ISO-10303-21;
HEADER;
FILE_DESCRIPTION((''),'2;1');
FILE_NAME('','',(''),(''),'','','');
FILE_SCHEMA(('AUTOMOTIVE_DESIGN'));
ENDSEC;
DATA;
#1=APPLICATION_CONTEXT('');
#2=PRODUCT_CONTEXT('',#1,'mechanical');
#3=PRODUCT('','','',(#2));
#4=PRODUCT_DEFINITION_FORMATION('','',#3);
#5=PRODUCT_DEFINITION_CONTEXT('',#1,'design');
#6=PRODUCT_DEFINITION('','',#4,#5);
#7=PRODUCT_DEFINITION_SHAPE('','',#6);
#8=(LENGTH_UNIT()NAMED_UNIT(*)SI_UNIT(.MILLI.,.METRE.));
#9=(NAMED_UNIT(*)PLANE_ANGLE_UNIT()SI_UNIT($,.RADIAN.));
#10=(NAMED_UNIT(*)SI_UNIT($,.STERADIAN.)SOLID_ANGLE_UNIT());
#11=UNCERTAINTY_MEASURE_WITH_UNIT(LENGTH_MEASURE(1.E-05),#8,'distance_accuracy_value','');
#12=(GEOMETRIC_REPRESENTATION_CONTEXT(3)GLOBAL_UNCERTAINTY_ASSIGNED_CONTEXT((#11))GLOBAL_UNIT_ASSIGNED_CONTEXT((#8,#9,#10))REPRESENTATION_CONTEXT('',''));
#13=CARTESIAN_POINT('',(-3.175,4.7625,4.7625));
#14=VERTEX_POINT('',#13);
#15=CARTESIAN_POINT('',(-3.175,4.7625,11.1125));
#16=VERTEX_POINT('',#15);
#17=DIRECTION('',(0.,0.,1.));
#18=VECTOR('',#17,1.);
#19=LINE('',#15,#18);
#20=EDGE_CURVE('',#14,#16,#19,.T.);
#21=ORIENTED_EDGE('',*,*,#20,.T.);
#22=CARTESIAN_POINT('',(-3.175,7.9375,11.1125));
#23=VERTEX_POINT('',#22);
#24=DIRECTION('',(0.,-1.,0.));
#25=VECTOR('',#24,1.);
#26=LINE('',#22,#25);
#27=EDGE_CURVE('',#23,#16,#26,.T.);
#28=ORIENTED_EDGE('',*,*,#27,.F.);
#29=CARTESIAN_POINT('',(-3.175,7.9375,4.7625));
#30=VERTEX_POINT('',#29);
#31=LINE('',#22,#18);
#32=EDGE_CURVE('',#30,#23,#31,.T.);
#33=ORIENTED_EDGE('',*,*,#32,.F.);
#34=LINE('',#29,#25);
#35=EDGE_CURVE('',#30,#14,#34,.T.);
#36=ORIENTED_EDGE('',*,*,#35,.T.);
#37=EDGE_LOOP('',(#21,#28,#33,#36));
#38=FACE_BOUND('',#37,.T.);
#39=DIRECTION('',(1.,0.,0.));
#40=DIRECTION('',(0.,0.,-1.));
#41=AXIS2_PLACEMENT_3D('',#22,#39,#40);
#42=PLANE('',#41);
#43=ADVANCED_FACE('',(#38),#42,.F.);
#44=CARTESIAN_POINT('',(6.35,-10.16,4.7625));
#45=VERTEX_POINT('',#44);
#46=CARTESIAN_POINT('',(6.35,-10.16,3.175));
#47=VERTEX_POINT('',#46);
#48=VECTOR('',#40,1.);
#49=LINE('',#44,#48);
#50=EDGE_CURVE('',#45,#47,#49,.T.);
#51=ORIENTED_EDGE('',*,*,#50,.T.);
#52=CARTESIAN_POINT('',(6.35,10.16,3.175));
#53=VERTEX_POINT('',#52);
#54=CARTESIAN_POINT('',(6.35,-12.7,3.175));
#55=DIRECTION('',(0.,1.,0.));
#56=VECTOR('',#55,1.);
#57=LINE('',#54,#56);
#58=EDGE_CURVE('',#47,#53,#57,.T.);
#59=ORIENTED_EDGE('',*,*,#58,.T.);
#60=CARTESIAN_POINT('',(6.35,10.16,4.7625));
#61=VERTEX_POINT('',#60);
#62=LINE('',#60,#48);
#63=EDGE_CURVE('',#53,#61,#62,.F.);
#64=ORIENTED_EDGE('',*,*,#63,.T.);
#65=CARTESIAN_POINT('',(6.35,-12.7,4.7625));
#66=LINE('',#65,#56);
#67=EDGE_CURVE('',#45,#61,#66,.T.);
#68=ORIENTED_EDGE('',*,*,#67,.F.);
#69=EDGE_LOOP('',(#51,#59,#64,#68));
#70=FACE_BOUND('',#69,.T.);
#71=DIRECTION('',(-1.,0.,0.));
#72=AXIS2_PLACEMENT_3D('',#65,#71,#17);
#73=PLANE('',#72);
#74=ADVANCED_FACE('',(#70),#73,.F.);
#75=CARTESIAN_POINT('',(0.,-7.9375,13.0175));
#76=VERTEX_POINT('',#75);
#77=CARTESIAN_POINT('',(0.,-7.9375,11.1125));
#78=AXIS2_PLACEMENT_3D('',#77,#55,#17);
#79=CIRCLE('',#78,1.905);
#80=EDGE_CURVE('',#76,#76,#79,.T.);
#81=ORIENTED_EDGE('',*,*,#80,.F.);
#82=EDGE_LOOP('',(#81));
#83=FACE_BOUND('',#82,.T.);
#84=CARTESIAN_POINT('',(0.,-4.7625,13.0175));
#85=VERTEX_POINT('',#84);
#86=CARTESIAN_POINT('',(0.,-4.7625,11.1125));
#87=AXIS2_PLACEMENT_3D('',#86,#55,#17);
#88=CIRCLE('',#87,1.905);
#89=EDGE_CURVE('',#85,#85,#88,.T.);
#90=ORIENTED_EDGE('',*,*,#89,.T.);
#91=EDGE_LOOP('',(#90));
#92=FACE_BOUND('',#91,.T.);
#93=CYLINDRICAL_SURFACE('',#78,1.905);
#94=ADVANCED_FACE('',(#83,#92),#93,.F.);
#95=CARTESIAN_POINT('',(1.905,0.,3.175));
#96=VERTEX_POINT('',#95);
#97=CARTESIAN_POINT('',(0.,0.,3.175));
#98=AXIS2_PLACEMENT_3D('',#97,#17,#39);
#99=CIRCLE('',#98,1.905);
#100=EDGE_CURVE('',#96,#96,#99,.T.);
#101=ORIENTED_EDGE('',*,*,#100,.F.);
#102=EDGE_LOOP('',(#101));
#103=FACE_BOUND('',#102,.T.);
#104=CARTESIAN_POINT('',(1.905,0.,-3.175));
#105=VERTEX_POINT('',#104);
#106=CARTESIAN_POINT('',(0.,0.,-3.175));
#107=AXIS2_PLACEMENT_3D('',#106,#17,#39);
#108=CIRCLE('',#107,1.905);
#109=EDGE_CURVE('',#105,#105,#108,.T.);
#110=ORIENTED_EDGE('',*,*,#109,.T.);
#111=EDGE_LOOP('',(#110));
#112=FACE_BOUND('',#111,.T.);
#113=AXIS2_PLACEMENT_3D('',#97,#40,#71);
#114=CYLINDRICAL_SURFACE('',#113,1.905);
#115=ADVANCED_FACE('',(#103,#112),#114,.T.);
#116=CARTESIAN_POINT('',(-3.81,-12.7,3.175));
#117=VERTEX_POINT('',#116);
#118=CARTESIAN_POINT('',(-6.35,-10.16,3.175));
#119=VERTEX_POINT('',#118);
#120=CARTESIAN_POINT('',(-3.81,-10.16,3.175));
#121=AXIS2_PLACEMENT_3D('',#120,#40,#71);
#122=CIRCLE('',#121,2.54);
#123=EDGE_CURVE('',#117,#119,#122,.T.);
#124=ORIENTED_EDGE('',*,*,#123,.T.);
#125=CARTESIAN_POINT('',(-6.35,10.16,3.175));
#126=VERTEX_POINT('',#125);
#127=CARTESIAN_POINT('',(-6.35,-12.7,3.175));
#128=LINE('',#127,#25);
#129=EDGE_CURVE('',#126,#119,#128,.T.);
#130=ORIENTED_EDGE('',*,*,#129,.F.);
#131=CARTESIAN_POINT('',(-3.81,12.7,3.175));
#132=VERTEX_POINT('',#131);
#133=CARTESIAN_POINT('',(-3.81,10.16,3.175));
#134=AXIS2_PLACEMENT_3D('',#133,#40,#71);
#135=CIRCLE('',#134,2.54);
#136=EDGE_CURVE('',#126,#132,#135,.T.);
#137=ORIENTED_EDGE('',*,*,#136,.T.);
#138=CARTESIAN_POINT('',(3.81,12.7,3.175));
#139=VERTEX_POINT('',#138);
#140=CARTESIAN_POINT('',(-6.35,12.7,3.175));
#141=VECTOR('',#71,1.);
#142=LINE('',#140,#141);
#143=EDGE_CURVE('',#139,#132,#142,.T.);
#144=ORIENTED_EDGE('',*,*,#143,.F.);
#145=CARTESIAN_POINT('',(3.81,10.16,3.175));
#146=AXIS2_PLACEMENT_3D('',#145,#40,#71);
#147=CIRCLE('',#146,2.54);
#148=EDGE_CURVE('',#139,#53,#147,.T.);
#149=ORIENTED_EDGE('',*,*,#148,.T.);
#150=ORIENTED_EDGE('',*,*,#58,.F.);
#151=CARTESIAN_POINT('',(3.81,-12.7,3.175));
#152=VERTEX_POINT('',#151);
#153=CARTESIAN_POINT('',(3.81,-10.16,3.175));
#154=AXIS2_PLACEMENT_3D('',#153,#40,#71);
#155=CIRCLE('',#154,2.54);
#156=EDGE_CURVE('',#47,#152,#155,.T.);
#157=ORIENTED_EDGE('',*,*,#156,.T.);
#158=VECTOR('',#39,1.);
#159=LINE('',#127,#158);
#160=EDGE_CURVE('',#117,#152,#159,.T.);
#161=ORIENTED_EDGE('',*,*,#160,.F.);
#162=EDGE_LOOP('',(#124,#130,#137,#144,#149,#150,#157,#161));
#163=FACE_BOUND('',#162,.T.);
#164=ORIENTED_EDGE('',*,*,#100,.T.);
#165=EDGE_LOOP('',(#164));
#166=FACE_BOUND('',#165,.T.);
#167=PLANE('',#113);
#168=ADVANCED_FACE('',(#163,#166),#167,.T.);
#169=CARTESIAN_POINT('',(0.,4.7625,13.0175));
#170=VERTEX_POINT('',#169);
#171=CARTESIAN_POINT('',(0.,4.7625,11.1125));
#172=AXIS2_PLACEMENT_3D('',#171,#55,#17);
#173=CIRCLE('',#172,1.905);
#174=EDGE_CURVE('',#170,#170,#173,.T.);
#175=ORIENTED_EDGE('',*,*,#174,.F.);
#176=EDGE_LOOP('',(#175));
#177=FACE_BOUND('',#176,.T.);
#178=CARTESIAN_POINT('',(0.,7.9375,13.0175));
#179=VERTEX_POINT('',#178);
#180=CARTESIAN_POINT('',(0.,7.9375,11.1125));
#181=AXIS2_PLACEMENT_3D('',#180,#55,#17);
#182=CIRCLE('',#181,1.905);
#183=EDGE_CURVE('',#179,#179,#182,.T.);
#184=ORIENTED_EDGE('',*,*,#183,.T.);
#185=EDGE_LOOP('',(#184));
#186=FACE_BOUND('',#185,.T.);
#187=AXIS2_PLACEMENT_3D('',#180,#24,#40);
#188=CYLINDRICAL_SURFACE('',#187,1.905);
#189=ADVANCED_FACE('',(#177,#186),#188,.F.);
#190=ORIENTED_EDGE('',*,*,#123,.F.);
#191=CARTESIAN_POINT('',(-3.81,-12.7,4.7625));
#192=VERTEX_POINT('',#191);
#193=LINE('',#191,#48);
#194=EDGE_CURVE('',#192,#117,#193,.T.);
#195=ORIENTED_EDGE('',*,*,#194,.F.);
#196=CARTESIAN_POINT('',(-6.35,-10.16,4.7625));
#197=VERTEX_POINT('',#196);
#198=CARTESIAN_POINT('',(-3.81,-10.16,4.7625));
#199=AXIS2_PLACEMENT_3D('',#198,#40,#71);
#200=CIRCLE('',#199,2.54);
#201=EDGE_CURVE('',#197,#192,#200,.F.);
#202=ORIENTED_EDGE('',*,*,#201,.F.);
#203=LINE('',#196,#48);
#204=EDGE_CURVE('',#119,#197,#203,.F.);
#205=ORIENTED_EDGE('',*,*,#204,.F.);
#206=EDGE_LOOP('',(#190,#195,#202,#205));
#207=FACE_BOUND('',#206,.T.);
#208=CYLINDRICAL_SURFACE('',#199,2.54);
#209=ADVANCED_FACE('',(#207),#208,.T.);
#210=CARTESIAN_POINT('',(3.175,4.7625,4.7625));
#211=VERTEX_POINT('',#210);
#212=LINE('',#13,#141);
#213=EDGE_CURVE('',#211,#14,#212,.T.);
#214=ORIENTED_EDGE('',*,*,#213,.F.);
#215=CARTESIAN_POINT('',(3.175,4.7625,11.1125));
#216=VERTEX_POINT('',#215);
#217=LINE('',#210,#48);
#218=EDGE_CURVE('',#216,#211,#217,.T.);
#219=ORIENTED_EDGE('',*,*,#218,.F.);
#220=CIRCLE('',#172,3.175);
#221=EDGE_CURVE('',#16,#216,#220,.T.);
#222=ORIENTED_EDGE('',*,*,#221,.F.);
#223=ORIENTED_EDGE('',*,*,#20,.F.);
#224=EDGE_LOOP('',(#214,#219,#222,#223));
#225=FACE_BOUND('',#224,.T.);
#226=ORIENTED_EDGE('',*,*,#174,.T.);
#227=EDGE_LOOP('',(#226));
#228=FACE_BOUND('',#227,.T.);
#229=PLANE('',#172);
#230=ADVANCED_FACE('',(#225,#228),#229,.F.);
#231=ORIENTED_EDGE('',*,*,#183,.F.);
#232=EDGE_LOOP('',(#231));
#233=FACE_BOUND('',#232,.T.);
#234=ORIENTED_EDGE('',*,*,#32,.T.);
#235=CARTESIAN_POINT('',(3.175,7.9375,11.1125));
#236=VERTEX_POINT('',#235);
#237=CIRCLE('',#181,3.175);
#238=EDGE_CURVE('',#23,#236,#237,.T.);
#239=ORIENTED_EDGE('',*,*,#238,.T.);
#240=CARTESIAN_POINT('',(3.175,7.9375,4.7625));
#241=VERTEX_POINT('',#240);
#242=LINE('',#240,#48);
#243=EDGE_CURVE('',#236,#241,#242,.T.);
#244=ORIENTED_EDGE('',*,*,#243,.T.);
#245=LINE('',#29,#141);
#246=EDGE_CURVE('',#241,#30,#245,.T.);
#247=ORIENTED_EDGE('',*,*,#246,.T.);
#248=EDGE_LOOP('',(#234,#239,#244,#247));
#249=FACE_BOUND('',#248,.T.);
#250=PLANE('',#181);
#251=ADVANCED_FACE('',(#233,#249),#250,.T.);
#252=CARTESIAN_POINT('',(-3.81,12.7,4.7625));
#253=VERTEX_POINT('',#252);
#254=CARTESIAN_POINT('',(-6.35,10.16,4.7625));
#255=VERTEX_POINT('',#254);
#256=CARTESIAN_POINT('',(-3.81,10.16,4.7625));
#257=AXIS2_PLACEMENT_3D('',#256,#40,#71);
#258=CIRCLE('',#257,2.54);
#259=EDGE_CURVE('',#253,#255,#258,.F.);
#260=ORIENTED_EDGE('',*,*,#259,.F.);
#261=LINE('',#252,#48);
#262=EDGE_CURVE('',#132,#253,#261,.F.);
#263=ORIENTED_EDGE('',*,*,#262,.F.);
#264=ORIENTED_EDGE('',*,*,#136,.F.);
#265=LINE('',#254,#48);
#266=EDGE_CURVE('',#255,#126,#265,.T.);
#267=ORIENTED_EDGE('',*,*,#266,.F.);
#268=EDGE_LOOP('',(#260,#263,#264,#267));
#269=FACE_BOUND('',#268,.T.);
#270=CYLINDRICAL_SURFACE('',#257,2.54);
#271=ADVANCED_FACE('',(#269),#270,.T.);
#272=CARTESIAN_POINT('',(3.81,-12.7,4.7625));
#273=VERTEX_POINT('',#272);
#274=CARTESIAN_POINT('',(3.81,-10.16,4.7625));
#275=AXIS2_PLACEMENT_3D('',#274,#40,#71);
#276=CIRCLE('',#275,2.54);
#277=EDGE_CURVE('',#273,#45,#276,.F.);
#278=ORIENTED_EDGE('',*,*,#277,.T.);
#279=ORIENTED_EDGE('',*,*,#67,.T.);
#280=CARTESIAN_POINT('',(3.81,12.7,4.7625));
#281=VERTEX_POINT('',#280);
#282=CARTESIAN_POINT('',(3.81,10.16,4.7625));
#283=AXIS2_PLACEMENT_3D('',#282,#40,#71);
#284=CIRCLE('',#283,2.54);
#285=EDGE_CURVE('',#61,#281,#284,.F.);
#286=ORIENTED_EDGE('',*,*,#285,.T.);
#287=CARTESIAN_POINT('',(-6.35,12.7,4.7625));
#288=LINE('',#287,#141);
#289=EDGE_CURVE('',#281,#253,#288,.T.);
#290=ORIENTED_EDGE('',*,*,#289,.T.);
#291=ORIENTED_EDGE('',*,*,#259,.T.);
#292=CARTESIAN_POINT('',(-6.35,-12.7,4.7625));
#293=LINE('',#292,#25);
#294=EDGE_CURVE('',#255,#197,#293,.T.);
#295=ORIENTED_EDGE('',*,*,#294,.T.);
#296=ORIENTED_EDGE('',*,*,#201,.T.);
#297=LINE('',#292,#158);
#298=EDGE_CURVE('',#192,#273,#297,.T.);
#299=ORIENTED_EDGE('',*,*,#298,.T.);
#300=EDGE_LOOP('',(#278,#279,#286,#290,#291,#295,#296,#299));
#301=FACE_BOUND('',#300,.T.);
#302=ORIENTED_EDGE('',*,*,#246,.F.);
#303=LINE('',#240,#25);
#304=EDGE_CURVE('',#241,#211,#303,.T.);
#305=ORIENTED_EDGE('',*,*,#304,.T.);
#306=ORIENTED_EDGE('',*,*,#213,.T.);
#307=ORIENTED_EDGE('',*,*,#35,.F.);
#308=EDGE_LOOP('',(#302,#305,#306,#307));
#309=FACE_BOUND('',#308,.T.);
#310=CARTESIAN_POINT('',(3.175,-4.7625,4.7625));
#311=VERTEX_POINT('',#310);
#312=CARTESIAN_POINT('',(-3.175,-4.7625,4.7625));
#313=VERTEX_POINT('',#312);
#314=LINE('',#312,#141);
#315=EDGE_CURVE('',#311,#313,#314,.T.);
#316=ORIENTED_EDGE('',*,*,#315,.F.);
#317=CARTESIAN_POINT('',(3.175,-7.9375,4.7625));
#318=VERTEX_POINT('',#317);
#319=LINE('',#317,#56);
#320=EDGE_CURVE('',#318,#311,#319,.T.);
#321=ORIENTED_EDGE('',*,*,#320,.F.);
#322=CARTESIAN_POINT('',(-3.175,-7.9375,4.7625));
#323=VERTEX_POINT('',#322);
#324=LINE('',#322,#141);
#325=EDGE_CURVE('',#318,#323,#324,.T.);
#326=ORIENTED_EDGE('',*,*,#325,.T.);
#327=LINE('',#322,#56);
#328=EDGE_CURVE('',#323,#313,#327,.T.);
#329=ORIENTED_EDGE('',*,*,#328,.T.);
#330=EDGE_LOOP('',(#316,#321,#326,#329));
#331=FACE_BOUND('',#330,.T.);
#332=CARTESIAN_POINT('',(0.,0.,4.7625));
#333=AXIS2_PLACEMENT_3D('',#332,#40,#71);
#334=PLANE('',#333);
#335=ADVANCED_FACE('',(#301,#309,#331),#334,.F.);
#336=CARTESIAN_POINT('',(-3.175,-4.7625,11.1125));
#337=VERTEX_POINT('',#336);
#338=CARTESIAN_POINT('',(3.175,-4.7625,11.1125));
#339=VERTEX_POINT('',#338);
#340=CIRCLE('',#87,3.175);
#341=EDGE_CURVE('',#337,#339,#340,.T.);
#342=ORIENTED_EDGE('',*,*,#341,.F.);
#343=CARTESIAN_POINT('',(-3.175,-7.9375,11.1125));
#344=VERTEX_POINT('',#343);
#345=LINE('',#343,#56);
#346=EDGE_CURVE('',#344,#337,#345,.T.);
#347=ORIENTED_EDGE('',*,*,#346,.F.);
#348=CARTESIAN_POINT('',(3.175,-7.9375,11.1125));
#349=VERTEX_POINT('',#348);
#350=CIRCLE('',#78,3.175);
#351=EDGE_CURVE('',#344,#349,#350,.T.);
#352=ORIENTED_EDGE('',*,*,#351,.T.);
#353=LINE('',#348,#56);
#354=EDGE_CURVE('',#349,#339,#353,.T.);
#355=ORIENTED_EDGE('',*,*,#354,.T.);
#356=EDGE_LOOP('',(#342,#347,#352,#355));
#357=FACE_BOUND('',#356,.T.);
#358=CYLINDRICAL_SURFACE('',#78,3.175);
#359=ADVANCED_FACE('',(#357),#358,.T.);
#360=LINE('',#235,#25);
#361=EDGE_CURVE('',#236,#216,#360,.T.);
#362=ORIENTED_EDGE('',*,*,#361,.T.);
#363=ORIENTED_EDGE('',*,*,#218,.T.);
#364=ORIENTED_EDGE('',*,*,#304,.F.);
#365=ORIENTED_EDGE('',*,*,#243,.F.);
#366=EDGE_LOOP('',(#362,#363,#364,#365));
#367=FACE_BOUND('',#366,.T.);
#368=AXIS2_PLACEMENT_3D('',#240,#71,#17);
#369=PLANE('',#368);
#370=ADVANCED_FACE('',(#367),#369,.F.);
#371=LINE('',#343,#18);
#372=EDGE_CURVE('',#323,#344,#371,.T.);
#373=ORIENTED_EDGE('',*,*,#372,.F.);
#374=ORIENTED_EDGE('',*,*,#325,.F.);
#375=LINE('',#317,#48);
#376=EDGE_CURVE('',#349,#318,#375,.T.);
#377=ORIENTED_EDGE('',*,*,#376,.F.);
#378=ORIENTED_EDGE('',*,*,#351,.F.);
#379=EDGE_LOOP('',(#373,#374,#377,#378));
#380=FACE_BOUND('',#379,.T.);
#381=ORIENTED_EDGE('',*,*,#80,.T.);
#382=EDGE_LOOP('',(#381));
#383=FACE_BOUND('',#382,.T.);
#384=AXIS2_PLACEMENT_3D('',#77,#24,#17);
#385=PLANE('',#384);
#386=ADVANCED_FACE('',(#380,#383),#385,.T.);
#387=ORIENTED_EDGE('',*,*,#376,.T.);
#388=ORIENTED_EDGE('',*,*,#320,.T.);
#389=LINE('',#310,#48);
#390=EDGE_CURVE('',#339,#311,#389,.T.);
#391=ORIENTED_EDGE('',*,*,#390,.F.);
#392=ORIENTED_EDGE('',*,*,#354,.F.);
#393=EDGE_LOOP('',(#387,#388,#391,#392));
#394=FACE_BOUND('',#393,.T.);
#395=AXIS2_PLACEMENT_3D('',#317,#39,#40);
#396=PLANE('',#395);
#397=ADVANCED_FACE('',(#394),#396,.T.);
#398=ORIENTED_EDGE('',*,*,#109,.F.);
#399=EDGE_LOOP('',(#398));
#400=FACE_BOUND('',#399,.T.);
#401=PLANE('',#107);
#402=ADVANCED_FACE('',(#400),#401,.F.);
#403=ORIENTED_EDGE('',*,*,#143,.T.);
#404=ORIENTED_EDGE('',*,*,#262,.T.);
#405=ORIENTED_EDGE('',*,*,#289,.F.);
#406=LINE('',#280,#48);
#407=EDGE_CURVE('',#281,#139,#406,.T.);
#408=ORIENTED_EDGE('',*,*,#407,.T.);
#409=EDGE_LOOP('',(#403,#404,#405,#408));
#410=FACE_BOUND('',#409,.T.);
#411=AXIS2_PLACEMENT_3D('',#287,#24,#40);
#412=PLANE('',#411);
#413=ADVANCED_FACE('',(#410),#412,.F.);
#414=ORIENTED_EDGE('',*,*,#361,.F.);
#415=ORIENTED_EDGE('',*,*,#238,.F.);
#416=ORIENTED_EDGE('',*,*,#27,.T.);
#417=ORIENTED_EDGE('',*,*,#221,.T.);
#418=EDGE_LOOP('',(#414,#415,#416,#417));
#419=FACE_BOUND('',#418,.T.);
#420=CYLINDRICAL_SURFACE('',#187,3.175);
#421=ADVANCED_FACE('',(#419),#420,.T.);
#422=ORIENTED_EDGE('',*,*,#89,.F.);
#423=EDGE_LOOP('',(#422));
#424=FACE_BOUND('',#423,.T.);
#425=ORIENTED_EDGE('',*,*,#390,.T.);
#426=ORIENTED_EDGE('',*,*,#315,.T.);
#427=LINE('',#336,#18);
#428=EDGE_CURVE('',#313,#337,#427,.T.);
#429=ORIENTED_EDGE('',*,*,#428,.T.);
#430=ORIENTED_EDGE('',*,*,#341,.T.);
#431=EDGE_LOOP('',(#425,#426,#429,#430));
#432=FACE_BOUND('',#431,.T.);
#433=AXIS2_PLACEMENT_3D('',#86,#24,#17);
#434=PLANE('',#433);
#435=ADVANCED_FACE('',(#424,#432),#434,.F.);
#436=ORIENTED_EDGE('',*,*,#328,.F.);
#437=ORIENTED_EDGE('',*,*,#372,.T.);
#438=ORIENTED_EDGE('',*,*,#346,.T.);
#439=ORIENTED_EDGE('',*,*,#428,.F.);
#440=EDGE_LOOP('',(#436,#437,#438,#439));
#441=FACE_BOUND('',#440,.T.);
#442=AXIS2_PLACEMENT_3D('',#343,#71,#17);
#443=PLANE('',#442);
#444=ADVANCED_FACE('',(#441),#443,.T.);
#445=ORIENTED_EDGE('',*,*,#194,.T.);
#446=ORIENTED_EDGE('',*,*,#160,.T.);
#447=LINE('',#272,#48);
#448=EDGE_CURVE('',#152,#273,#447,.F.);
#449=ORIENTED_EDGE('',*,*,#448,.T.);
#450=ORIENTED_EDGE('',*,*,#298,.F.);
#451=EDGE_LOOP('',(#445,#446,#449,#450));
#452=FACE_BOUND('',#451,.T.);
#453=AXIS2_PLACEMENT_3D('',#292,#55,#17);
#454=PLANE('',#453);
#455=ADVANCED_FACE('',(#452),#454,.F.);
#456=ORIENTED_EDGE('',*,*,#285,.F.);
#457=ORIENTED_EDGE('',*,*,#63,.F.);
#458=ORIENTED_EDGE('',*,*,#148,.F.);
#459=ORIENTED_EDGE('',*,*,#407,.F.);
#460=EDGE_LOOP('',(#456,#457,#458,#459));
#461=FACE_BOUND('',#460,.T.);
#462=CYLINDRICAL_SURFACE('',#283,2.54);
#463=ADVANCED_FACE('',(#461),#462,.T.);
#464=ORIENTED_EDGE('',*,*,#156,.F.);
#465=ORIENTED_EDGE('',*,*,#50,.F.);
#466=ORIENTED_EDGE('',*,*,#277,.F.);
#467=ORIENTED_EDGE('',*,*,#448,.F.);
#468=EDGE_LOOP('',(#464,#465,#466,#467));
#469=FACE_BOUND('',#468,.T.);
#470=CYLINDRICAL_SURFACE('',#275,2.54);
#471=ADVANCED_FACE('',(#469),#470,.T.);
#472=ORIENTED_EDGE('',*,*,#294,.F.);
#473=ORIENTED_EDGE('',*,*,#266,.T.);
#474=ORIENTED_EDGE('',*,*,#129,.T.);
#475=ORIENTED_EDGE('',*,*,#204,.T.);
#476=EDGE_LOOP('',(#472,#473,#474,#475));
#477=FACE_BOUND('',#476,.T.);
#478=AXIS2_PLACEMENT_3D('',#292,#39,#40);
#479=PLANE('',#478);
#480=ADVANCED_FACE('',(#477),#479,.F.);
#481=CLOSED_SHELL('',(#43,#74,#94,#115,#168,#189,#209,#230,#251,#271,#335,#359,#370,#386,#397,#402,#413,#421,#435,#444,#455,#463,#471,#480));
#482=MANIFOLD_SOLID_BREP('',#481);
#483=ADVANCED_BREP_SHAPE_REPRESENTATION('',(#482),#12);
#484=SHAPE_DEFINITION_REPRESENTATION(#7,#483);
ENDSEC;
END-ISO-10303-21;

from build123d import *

# Parameters (mm, degrees)
SKETCH2_R           = 1.905
BOSS_EXTRUDE1_DEPTH = 3.175
SKETCH3_W           = 12.7
SKETCH3_H           = 25.4
BOSS_EXTRUDE2_DEPTH = 1.5875
SKETCH5_R           = 1.905
BOSS_EXTRUDE3_DEPTH = 1.5875
FILLET1_R           = 2.54


with BuildPart() as part:
    # Sketch2 → Boss-Extrude1 (new, symmetric)
    with BuildSketch(Plane.XY):
        Circle(SKETCH2_R)
    extrude(amount=BOSS_EXTRUDE1_DEPTH, both=True)

    # Sketch3 → Boss-Extrude2 (add)
    with BuildSketch(Plane.XY.offset(3.175)):
        Rectangle(SKETCH3_W, SKETCH3_H)
    extrude(amount=BOSS_EXTRUDE2_DEPTH)

    # Sketch5 → Boss-Extrude3 (add, symmetric)
    with BuildSketch(Plane(origin=(0, 6.35, 0), x_dir=(1, 0, 0), z_dir=(0, 1, 0))):
        with BuildLine():
            Line((-3.175, -4.7625), (3.175, -4.7625))
            Line((3.175, -4.7625), (3.175, -11.1125))
            ThreePointArc((3.175, -11.1125), (0, -14.2875), (-3.175, -11.1125))
            Line((-3.175, -11.1125), (-3.175, -4.7625))
        make_face()
        with Locations(Location((0, -11.1125, 0), (0, 0, 270))):
            Circle(SKETCH5_R, mode=Mode.SUBTRACT)
    boss_extrude3 = extrude(amount=BOSS_EXTRUDE3_DEPTH, both=True)

    # Mirror1: Boss-Extrude3 across plane
    add(boss_extrude3.mirror(Plane.ZX))

    # Fillet1
    fillet1_edges = [part.edges().sort_by_distance(p)[0] for p in [
        (6.35, -12.7, 3.96875),
        (6.35, 12.7, 3.96875),
        (-6.35, 12.7, 3.96875),
        (-6.35, -12.7, 3.96875),
    ]]
    fillet(fillet1_edges, radius=FILLET1_R)


solid = part.part
